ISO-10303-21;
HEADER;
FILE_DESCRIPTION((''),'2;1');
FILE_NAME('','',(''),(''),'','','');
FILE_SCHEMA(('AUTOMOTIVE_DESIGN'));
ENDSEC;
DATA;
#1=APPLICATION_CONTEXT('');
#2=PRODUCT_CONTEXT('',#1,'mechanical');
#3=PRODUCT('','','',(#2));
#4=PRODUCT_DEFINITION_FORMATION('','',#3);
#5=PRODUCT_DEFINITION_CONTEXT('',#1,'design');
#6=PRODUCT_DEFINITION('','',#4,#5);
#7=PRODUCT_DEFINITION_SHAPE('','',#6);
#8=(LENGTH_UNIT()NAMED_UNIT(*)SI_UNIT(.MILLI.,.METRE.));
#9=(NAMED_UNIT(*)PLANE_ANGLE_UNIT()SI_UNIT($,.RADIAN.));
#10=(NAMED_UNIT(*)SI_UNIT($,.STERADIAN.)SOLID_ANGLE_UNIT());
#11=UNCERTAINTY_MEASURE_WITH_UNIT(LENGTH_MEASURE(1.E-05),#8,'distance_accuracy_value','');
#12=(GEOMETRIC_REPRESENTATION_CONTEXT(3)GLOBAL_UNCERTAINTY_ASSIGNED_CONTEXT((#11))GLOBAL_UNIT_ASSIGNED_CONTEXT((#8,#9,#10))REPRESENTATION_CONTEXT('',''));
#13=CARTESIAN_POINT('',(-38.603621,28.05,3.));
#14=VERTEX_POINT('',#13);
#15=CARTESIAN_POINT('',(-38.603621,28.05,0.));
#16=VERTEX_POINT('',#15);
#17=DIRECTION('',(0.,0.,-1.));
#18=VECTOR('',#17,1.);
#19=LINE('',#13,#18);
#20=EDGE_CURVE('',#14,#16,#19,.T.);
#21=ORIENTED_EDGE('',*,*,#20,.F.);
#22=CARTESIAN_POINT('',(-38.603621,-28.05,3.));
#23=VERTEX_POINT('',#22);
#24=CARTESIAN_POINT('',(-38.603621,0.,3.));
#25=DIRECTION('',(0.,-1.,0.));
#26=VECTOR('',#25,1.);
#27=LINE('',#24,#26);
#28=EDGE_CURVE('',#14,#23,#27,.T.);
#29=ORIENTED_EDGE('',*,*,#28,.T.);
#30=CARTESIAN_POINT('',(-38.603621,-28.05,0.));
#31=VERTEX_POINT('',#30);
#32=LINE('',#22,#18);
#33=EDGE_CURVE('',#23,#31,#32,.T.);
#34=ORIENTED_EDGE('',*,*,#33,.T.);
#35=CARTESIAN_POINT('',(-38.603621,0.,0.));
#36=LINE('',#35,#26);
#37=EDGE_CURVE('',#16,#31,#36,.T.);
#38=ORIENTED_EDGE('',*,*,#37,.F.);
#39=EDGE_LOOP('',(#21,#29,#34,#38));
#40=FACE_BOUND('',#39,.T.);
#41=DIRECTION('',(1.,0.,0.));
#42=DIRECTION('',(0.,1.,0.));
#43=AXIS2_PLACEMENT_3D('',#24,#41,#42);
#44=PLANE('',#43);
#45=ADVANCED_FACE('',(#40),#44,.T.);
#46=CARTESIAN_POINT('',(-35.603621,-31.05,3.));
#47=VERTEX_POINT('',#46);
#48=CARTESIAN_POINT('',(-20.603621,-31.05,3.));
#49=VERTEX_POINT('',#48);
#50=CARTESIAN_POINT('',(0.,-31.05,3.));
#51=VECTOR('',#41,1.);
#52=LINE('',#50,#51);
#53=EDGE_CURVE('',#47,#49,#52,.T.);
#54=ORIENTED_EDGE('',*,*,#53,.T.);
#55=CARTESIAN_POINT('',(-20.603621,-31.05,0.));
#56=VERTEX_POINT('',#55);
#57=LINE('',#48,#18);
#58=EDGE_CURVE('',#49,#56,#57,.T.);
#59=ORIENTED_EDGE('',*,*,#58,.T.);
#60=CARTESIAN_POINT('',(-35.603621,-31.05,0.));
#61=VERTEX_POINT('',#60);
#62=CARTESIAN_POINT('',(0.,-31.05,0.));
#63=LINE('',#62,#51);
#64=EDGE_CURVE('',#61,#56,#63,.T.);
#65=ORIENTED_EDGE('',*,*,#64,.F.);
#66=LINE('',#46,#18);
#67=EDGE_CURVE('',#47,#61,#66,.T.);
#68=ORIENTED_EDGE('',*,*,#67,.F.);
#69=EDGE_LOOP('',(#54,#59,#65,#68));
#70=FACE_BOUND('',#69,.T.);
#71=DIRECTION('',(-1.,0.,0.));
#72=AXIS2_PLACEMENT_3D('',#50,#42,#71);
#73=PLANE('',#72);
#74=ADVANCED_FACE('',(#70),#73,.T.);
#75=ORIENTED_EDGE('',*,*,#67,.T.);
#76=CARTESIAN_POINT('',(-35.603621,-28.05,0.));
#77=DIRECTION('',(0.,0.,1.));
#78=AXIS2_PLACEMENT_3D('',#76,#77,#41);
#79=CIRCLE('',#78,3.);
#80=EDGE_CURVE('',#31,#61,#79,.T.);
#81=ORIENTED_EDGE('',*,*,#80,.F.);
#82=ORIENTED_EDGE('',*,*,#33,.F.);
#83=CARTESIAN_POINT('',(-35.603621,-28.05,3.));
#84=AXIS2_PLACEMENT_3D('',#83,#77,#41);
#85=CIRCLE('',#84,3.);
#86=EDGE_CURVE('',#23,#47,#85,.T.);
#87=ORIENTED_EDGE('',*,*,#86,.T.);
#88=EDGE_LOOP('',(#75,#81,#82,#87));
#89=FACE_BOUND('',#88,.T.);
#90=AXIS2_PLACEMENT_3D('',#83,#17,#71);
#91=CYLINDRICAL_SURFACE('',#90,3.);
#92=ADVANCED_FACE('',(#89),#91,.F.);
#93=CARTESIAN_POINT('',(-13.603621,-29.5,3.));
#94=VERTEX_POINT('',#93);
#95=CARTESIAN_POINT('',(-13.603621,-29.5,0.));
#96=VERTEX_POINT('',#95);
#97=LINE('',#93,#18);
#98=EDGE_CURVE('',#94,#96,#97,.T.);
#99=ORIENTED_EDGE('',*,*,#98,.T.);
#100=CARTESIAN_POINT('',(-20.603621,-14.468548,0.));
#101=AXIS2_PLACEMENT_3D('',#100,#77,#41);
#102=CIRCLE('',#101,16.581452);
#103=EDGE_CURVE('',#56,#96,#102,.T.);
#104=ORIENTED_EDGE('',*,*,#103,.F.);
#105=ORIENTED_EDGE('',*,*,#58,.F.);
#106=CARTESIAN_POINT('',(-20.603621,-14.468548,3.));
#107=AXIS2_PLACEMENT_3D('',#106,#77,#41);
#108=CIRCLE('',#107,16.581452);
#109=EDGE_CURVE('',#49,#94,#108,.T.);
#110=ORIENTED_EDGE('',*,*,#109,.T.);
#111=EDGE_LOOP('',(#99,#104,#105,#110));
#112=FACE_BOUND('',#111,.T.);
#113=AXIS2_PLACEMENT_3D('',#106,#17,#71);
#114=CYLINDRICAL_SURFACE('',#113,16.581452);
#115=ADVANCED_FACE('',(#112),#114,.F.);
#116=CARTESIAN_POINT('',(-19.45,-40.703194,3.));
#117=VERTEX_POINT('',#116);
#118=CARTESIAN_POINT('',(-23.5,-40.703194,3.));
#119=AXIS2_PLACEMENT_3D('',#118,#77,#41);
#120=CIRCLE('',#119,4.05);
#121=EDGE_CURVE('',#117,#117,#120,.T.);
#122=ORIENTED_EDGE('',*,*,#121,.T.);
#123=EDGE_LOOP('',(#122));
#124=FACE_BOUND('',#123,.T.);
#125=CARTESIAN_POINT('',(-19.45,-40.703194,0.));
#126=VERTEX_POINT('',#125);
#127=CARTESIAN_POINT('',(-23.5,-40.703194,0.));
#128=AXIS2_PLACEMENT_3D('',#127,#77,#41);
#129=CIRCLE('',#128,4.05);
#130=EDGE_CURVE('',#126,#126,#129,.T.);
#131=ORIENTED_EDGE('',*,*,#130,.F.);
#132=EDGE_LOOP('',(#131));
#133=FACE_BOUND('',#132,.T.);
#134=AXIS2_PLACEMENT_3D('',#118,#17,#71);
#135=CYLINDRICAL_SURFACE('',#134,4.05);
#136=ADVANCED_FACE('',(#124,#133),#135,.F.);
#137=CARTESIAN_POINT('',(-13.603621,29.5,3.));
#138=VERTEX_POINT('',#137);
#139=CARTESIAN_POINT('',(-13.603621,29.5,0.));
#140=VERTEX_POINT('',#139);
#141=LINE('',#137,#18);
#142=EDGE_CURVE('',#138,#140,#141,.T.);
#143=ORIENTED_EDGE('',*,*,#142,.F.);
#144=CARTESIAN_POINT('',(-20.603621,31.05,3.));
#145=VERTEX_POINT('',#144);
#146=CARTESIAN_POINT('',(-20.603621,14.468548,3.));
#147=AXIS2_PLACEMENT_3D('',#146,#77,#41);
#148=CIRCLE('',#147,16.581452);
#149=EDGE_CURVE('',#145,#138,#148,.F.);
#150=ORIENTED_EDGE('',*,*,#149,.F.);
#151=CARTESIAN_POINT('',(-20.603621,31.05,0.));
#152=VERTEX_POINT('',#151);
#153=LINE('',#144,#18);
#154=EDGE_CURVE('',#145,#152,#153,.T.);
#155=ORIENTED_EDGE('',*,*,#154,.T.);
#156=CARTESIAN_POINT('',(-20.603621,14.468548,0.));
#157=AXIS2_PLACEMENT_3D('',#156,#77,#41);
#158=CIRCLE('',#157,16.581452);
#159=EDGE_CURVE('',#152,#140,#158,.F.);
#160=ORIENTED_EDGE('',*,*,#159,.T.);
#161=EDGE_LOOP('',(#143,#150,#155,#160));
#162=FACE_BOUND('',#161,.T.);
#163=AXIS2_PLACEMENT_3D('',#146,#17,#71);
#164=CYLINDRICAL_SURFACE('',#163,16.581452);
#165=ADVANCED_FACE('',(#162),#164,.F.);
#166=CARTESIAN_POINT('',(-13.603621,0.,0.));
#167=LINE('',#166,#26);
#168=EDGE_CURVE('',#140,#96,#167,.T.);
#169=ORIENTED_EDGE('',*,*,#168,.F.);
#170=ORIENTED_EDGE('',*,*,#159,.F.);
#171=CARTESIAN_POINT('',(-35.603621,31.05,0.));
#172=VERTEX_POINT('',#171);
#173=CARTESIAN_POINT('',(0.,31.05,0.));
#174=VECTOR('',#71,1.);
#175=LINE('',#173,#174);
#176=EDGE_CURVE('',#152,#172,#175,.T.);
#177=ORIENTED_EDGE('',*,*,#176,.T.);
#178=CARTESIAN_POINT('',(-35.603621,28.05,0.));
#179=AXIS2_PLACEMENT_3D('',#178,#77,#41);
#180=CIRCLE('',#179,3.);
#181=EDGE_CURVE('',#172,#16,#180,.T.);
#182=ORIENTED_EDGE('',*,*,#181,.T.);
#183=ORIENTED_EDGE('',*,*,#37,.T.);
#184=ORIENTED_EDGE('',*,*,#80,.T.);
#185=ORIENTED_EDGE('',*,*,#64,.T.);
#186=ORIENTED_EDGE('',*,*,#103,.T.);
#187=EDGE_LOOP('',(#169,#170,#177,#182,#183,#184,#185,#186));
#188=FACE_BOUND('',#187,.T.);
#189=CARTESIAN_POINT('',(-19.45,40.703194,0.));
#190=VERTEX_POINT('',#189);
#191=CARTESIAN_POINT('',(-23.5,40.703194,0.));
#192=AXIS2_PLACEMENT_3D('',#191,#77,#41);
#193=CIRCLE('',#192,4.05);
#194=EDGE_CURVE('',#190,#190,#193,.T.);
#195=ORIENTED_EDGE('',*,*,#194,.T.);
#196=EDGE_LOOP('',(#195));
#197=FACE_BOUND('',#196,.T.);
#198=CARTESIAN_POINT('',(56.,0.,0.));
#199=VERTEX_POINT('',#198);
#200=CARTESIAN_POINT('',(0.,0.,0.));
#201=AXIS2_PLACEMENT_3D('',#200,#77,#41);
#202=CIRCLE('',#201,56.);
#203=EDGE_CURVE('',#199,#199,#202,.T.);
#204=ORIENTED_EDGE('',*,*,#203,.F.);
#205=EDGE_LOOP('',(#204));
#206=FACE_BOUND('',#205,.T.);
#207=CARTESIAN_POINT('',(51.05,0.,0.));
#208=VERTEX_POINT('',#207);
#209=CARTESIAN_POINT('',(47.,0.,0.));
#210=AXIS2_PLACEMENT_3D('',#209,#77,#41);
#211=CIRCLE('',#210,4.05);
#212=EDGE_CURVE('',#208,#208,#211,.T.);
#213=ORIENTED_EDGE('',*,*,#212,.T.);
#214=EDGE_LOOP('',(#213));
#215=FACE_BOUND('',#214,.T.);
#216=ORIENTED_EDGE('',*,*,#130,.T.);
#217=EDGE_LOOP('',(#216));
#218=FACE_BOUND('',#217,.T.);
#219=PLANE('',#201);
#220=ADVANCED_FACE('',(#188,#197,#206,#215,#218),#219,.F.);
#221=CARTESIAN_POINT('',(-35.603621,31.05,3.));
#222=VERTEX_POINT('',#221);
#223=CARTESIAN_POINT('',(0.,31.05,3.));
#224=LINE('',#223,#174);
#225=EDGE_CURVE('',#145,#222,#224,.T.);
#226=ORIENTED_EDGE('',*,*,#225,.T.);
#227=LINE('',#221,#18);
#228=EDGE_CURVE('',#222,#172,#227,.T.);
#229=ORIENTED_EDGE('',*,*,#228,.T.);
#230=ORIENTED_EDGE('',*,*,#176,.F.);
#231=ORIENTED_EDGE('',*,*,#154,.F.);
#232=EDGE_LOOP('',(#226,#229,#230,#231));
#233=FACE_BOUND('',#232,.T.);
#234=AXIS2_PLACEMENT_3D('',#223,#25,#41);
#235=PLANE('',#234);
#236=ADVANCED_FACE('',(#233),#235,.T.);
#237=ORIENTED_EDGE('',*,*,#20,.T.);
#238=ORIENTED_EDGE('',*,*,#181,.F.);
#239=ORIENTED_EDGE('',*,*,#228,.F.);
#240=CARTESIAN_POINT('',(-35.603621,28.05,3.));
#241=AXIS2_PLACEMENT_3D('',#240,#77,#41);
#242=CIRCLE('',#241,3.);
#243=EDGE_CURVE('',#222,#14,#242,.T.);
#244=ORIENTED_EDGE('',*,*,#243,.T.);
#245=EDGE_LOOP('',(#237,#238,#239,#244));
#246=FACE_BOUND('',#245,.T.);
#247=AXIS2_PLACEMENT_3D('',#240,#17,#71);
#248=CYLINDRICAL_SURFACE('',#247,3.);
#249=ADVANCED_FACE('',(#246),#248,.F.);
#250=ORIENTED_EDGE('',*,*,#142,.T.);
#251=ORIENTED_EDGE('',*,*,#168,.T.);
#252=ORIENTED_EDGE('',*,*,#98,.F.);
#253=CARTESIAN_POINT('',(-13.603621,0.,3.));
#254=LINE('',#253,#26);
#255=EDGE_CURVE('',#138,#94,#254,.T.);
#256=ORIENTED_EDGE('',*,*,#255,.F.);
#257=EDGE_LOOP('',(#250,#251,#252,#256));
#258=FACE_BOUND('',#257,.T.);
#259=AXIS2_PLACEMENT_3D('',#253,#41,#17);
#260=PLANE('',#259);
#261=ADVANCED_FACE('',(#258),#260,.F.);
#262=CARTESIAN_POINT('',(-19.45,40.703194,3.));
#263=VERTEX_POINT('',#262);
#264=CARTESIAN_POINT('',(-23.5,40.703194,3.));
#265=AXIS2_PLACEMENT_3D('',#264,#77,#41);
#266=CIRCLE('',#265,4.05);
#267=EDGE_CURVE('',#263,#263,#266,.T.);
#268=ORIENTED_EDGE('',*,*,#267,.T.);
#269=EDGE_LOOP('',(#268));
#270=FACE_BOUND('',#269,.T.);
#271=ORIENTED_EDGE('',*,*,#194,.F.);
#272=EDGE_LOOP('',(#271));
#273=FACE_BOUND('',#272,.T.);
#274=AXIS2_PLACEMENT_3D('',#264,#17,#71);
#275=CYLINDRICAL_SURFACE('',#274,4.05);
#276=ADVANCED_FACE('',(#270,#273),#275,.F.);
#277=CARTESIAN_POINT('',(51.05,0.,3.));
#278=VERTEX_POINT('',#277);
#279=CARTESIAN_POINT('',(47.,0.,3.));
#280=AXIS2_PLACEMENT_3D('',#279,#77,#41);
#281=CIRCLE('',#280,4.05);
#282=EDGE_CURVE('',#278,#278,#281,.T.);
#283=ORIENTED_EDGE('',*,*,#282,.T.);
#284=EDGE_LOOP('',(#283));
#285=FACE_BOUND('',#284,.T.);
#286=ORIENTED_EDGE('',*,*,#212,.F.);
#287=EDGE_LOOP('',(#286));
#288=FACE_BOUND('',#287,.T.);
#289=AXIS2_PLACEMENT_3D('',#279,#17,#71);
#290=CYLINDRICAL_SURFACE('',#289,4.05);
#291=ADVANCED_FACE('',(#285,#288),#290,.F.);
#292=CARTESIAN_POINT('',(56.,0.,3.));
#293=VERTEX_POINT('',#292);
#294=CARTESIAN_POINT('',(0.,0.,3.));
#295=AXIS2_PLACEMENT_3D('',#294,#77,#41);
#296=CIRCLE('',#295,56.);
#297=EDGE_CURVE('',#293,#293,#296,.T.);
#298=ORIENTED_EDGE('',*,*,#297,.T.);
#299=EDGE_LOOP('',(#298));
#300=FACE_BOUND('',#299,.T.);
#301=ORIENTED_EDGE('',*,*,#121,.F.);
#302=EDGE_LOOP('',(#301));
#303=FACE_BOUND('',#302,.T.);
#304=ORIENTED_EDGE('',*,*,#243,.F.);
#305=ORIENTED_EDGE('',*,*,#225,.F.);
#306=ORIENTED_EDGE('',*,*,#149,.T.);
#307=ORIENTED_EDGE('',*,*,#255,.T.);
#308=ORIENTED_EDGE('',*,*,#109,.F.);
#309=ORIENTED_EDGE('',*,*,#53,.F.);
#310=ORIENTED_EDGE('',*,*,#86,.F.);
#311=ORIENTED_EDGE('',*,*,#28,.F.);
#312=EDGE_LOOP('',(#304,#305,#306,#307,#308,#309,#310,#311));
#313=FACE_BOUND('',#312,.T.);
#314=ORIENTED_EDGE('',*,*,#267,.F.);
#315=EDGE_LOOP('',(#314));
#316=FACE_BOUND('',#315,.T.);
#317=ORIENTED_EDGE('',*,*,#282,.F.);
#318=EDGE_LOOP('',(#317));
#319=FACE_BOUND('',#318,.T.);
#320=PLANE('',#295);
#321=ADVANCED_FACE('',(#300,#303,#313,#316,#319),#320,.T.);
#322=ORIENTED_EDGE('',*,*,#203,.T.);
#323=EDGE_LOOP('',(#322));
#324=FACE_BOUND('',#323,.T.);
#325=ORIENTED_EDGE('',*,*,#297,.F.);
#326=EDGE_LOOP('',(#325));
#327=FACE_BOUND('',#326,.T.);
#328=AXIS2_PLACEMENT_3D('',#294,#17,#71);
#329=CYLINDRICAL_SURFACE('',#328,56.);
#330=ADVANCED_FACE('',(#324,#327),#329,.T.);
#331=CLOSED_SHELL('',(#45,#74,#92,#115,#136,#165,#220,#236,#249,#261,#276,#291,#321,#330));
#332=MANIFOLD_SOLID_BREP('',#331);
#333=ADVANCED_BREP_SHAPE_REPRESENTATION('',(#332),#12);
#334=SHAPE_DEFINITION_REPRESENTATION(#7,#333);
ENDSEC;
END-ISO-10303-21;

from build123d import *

# Parameters (mm, degrees)
SKETCH1_R           = 56
SKETCH1_R_2         = 4.05
BOSS_EXTRUDE1_DEPTH = 3


with BuildPart() as part:
    # Sketch1 → Boss-Extrude1 (new body)
    with BuildSketch(Plane.XY):
        Circle(SKETCH1_R)
        with Locations((-23.5, 40.703193978)):
            Circle(SKETCH1_R_2, mode=Mode.SUBTRACT)
        with Locations((-23.5, -40.703193978)):
            Circle(SKETCH1_R_2, mode=Mode.SUBTRACT)
        with Locations((47, 0)):
            Circle(SKETCH1_R_2, mode=Mode.SUBTRACT)
        with BuildLine():
            Line((-20.603621104, 31.05), (-35.603621104, 31.05))
            ThreePointArc((-35.603621104, 31.05), (-37.724941448, 30.171320344), (-38.603621104, 28.05))
            Line((-38.603621104, 28.05), (-38.603621104, 2.45))
            Line((-38.603621104, 2.45), (-38.603621104, -28.05))
            ThreePointArc((-38.603621104, -28.05), (-37.724941448, -30.171320344), (-35.603621104, -31.05))
            Line((-35.603621104, -31.05), (-20.603621104, -31.05))
            ThreePointArc((-20.603621104, -31.05), (-17.018844263, -30.657863153), (-13.603621104, -29.5))
            Line((-13.603621104, -29.5), (-13.603621104, 29.5))
            ThreePointArc((-13.603621104, 29.5), (-17.018844263, 30.657863153), (-20.603621104, 31.05))
        make_face(mode=Mode.SUBTRACT)
    extrude(amount=BOSS_EXTRUDE1_DEPTH)


solid = part.part
